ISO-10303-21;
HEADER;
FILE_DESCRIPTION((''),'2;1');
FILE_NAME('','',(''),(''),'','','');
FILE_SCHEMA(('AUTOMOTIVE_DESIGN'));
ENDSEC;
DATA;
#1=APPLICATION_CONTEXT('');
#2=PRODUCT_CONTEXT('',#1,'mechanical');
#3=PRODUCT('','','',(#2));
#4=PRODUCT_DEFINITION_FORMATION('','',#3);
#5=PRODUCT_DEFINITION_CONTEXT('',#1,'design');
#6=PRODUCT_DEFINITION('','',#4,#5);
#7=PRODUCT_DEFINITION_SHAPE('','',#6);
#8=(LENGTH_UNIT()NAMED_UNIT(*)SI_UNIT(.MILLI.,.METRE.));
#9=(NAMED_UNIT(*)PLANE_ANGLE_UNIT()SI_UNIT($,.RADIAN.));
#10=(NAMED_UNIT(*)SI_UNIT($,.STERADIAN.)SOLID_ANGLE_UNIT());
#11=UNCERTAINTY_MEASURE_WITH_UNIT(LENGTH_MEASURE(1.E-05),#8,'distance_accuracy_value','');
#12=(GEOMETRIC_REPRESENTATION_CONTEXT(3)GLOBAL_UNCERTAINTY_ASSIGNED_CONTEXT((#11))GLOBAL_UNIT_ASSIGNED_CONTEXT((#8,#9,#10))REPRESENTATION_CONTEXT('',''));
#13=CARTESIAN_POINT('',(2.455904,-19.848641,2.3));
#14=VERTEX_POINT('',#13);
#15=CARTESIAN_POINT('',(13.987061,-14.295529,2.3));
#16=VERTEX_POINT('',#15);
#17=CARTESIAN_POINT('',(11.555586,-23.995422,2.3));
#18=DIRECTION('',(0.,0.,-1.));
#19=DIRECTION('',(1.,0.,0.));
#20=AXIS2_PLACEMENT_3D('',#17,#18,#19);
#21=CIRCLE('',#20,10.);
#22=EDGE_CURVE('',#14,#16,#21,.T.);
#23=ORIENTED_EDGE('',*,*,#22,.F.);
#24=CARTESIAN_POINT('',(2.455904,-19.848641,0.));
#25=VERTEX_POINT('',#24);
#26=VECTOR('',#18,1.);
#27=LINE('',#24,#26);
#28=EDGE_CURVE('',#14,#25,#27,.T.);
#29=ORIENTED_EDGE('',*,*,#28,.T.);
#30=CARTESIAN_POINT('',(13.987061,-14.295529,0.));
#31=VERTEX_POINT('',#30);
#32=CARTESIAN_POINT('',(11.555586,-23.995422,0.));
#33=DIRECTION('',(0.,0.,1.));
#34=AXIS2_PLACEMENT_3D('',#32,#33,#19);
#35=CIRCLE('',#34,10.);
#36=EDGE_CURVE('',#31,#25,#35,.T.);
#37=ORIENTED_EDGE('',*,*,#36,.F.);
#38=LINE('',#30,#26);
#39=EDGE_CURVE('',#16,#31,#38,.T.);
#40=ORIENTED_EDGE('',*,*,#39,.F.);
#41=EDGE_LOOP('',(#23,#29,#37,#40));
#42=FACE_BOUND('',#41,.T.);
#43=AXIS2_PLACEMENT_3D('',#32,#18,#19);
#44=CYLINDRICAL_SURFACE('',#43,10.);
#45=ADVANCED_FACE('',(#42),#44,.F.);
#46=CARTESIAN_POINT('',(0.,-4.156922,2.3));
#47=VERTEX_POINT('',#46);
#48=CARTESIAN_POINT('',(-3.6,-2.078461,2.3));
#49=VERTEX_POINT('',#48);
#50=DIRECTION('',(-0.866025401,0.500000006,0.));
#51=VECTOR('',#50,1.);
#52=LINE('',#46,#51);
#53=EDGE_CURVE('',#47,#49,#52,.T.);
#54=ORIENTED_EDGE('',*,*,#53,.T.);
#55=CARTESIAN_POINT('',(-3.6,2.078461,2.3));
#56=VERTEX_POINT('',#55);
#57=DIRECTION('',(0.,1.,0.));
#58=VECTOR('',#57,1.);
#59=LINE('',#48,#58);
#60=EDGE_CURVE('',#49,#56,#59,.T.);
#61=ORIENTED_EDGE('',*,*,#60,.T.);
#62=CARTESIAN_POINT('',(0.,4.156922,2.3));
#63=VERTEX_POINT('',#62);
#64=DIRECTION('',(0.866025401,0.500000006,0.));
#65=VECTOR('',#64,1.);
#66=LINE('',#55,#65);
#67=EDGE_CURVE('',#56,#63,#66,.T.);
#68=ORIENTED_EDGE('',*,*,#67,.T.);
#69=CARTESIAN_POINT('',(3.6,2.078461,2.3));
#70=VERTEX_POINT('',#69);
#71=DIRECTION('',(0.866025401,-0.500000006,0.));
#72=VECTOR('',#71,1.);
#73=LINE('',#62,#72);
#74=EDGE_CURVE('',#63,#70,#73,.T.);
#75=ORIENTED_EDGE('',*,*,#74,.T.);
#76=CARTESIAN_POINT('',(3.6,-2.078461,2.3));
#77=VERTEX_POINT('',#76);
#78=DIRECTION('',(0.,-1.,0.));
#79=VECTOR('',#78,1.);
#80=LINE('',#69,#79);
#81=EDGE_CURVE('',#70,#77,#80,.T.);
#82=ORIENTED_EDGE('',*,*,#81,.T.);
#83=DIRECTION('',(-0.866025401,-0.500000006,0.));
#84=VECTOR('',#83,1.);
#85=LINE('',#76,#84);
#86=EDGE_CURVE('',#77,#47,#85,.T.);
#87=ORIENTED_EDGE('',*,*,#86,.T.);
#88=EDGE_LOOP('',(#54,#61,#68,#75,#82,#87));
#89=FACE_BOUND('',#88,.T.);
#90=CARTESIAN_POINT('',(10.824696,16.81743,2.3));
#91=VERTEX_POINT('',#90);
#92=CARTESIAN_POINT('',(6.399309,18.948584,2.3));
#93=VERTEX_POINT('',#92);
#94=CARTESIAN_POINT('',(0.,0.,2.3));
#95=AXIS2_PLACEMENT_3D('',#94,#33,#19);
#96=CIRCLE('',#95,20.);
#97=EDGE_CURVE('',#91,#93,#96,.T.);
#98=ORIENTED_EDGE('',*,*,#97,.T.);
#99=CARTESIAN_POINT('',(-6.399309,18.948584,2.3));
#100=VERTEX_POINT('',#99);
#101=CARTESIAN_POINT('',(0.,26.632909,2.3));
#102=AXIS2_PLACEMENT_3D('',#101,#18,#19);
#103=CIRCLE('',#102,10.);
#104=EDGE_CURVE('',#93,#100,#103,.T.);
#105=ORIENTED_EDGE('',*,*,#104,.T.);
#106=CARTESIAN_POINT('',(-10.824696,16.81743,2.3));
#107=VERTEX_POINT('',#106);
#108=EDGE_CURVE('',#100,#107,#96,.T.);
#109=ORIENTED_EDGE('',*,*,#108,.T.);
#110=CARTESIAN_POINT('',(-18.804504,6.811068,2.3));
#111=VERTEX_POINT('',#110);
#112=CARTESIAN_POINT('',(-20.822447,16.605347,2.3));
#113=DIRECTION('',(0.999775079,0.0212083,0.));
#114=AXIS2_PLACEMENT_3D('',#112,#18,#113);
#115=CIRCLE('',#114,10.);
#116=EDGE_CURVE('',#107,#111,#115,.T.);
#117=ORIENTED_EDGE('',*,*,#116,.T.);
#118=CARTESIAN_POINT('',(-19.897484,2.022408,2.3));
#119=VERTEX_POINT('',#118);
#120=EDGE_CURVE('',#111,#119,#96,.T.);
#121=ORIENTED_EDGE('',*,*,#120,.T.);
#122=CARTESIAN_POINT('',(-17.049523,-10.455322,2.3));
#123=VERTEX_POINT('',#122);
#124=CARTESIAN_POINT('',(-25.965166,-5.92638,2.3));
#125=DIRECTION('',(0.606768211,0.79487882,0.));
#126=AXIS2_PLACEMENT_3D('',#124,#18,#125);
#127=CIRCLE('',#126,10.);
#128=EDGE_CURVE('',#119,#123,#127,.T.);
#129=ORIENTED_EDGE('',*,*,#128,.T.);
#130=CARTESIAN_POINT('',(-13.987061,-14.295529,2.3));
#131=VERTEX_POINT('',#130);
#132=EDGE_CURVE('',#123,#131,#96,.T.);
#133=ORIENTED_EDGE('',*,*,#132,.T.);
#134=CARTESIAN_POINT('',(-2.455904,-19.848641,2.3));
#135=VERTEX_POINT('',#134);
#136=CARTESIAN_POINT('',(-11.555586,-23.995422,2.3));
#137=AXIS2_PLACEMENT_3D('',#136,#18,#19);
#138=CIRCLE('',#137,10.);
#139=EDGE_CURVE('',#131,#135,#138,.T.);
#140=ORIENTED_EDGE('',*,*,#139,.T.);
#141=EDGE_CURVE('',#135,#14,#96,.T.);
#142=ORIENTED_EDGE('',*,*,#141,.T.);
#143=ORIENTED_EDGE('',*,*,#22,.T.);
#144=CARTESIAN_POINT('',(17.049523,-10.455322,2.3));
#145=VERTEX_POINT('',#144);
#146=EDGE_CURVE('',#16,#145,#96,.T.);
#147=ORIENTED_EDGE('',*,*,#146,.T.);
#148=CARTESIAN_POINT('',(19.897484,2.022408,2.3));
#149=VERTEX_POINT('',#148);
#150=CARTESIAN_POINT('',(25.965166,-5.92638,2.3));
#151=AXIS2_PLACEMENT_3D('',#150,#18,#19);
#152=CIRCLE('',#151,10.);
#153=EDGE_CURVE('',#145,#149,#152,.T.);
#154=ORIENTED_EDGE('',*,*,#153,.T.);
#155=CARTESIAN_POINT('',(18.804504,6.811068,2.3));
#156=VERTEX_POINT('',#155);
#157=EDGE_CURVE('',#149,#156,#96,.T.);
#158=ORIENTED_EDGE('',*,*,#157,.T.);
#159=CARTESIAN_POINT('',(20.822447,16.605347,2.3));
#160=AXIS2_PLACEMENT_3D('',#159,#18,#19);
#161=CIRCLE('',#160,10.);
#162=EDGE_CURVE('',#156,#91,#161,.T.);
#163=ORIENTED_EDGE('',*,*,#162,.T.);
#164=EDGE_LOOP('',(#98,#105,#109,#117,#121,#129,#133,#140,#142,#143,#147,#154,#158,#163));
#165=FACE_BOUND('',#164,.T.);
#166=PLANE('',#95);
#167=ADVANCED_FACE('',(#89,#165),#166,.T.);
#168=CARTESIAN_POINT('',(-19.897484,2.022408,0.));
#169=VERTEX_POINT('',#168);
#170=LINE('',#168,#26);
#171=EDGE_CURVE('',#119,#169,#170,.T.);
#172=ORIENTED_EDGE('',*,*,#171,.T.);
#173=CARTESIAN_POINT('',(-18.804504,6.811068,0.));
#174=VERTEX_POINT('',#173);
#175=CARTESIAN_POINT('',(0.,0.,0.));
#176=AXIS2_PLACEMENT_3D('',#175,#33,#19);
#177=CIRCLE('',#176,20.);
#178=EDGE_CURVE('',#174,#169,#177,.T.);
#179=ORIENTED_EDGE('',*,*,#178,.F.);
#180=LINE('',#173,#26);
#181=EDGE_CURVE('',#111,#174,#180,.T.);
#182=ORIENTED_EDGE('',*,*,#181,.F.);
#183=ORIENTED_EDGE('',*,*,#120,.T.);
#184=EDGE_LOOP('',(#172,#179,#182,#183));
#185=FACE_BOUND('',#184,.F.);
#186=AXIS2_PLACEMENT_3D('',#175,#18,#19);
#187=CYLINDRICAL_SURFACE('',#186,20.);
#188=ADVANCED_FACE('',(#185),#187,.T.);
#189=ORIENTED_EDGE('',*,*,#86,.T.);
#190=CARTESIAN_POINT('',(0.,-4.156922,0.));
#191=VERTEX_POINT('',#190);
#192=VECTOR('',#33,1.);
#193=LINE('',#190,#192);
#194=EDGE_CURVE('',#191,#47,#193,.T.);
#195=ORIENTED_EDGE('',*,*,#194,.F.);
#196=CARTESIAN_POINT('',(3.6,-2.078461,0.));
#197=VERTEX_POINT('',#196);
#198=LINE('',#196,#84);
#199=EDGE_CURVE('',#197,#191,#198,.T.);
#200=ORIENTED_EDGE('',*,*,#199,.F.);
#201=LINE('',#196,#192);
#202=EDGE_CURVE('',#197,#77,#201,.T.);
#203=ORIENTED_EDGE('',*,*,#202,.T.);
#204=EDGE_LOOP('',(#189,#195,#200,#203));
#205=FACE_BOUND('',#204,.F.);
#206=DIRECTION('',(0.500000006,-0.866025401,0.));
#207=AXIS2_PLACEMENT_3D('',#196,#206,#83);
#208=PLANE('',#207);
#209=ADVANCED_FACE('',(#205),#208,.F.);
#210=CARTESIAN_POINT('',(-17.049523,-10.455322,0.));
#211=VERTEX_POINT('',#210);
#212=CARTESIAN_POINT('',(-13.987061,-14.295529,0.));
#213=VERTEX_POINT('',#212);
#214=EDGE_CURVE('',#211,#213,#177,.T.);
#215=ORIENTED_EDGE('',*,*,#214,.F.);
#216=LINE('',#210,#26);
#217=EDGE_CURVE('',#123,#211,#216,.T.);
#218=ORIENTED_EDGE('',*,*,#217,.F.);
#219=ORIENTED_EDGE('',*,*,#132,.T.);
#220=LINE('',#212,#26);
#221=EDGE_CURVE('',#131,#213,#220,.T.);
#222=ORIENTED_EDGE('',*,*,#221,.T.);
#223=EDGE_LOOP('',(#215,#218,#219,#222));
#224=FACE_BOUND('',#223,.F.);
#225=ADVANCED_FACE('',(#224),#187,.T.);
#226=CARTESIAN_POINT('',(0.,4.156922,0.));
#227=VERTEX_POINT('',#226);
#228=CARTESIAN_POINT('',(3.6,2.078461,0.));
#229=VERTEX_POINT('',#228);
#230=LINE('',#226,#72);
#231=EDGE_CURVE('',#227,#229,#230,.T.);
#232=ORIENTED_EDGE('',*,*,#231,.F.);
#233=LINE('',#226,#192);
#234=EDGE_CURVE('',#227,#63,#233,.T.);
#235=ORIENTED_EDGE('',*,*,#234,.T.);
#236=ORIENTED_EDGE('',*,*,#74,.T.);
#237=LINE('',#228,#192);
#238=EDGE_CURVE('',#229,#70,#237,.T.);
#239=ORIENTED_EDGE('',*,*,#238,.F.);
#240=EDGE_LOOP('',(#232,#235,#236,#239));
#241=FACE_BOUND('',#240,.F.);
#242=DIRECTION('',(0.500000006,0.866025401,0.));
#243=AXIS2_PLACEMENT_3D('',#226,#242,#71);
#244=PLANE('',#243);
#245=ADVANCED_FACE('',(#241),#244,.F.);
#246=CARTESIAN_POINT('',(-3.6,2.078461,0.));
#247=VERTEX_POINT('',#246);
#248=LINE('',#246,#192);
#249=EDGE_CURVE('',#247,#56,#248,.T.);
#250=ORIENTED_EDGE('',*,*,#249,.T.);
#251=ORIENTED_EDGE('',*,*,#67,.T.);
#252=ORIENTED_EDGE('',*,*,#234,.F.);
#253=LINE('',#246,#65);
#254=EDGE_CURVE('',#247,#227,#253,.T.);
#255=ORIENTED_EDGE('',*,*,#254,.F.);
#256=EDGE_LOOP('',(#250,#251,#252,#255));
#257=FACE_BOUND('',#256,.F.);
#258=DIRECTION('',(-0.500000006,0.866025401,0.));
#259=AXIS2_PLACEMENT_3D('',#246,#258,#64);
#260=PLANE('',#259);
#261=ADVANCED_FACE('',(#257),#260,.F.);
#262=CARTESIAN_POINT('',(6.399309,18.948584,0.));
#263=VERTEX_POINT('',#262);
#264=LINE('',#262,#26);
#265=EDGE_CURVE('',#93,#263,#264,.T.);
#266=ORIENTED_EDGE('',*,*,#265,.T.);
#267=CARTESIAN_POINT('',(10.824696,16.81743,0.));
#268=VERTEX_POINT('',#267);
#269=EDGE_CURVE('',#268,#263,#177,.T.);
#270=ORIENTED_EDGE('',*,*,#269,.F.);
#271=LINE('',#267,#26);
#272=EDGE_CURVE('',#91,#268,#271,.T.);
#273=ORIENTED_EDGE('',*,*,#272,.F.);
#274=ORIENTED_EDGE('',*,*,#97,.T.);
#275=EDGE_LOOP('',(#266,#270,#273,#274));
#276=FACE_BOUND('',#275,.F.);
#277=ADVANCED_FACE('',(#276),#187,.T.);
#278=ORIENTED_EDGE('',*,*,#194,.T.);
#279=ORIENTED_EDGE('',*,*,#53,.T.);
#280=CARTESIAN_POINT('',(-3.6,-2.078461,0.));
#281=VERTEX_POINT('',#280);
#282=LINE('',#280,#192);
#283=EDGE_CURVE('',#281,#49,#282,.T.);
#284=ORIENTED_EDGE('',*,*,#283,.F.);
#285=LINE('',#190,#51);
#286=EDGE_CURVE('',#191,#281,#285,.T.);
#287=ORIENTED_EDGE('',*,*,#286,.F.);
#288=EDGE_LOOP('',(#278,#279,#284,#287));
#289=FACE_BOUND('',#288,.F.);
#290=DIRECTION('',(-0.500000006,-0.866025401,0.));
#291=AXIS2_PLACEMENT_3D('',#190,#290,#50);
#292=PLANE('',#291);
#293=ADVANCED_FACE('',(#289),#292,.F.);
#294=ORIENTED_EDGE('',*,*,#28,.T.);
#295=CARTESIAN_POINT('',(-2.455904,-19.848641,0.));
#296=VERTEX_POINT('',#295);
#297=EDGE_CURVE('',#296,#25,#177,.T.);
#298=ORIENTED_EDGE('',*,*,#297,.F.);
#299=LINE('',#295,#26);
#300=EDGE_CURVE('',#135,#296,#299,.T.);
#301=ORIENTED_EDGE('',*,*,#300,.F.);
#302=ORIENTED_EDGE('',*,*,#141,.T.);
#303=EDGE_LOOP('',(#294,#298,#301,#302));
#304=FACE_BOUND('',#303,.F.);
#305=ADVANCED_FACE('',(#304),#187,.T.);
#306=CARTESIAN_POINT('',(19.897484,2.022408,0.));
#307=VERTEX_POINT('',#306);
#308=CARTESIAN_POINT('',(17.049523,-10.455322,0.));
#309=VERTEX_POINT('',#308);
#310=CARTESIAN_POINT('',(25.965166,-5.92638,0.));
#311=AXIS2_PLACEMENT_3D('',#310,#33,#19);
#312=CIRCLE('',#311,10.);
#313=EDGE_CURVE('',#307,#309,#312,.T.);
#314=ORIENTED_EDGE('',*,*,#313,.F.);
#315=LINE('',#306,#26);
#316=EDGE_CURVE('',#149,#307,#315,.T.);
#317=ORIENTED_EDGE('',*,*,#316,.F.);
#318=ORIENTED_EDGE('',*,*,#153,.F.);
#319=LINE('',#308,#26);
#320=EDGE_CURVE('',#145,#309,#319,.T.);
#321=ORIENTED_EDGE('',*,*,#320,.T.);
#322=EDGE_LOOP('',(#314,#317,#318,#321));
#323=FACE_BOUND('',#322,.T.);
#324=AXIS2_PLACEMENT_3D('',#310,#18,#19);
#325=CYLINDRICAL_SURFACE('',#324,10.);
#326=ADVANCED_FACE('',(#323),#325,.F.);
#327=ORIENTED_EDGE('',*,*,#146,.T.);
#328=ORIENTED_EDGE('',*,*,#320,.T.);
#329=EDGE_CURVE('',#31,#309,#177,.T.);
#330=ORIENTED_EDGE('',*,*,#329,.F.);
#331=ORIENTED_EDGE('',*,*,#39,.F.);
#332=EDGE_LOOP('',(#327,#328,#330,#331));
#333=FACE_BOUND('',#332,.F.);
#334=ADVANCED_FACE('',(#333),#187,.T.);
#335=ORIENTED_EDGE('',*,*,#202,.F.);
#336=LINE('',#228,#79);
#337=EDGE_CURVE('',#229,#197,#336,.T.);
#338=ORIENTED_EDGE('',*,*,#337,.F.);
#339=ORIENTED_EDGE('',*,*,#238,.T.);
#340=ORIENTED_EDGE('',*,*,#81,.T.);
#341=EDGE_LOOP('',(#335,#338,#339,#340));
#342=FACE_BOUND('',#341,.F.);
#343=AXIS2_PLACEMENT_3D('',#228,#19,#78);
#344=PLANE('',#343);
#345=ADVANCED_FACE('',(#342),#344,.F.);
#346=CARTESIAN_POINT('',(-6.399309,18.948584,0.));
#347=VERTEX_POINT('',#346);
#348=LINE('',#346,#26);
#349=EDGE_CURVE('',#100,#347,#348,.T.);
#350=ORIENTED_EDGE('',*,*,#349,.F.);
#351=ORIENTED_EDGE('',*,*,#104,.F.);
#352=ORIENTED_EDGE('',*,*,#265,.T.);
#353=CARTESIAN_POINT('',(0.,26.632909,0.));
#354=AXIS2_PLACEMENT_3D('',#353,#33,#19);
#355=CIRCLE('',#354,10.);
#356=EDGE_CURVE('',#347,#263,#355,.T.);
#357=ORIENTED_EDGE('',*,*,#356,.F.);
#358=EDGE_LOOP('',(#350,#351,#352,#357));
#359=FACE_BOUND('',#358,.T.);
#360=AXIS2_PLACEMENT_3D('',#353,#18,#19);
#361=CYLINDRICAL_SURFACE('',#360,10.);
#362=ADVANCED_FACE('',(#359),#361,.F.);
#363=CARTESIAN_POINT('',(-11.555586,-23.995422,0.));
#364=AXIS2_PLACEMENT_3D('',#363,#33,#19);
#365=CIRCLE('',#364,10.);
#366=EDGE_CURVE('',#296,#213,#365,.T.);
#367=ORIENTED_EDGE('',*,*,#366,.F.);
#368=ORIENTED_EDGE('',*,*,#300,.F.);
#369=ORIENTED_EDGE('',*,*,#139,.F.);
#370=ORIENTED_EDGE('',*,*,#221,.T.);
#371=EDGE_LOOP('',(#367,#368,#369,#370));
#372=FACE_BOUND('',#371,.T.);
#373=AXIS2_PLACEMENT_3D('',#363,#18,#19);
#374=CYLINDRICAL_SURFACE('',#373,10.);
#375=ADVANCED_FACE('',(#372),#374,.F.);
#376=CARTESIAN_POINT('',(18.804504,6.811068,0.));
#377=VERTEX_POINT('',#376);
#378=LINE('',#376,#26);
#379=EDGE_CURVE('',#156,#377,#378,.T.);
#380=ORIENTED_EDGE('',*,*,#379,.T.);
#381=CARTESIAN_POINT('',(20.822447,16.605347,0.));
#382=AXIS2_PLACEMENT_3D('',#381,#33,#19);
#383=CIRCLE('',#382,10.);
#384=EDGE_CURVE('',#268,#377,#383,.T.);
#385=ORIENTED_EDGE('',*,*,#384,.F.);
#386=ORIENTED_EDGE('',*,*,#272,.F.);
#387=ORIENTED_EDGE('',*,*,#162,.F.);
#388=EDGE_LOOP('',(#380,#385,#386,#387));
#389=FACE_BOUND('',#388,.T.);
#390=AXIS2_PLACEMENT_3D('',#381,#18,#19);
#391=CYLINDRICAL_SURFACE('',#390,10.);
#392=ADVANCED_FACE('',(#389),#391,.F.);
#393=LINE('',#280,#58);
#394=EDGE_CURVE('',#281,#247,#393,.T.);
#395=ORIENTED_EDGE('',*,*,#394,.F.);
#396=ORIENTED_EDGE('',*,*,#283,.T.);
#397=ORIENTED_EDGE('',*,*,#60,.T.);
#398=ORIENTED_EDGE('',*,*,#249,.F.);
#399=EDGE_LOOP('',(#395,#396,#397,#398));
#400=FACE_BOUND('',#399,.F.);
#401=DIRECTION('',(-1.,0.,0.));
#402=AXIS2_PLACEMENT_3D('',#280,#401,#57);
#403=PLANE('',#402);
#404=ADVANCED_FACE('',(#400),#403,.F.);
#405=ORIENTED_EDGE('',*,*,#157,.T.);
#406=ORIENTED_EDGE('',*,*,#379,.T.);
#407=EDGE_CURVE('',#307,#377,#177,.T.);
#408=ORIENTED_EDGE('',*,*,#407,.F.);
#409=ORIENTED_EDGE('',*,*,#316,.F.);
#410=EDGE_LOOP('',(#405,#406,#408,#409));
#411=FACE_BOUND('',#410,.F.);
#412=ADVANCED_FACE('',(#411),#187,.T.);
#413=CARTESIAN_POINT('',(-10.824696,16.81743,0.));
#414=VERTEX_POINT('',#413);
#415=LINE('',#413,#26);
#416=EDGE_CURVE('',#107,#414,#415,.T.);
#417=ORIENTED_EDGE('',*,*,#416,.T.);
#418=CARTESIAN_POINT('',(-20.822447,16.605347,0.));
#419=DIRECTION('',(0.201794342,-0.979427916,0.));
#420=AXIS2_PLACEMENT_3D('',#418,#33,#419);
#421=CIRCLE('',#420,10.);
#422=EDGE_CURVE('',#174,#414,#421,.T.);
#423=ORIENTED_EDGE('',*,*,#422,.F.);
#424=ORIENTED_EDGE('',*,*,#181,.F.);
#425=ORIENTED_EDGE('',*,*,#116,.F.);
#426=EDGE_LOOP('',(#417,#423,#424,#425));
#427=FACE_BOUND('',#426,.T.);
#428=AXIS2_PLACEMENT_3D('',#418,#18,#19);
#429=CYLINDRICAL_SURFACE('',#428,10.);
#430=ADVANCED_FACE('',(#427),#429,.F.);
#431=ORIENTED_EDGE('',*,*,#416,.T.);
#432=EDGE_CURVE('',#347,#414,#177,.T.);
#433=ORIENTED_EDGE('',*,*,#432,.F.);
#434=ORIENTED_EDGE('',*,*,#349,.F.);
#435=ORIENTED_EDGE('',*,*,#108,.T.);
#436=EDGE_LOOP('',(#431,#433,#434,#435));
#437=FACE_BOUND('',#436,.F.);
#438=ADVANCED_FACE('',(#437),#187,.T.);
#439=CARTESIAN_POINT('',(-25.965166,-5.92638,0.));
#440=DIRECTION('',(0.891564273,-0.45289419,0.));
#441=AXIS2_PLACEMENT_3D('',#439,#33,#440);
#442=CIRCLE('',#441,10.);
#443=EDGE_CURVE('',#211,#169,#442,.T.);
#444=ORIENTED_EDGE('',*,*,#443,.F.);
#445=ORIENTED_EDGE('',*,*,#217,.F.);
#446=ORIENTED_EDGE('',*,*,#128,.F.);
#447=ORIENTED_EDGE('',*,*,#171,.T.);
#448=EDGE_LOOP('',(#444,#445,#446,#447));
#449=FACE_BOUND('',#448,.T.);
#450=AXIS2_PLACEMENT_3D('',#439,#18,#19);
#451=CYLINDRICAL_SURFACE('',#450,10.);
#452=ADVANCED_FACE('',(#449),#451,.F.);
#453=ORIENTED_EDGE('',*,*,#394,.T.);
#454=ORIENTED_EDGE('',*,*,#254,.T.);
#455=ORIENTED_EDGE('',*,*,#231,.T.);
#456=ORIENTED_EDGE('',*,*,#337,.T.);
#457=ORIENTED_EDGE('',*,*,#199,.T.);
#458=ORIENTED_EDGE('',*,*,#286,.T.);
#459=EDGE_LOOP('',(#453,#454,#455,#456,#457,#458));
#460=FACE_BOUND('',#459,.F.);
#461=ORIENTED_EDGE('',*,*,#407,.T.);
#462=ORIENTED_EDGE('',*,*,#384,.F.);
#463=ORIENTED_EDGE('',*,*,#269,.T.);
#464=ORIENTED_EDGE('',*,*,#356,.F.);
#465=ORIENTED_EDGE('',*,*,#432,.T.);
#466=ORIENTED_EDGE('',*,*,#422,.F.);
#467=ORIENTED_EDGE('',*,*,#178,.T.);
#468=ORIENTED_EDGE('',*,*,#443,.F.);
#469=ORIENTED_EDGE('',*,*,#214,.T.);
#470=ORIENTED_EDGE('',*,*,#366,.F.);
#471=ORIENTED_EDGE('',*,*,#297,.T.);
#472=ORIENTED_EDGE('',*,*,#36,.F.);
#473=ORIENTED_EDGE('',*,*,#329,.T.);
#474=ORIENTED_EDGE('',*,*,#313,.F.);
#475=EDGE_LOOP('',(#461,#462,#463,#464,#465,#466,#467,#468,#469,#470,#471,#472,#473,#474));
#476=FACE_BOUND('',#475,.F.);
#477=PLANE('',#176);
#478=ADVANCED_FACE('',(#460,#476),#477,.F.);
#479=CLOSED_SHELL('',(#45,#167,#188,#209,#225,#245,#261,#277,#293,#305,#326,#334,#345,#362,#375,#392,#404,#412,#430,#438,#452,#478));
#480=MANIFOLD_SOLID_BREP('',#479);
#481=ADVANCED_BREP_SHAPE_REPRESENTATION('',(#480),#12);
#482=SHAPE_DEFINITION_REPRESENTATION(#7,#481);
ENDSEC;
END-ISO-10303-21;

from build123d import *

# Parameters (mm, degrees)
F0_R     = 20
F1_DEPTH = 2.3
F2_R     = 10
F3_DEPTH = 2.301


with BuildPart() as f1:
    # F0 (on Top) → F1 (new body)
    with BuildSketch(Plane.XY):
        Circle(F0_R)
        Polygon((0, 4.156922), (3.6, 2.078461), (3.6, -2.078461), (0, -4.156922), (-3.6, -2.078461), (-3.6, 2.078461), align=None, mode=Mode.SUBTRACT)
    extrude(amount=F1_DEPTH)

    # F2 (on Top) → F3 (cut, through all)
    with BuildSketch(Plane.XY):
        with Locations((0, 26.632909)):
            Circle(F2_R)
        with Locations((-20.822447, 16.605347)):
            Circle(F2_R)
        with Locations((-25.965166, -5.92638)):
            Circle(F2_R)
        with Locations((-11.555586, -23.995422)):
            Circle(F2_R)
        with Locations((11.555586, -23.995422)):
            Circle(F2_R)
        with Locations((25.965166, -5.92638)):
            Circle(F2_R)
        with Locations((20.822447, 16.605347)):
            Circle(F2_R)
    extrude(amount=F3_DEPTH, mode=Mode.SUBTRACT)


solid = f1.part
